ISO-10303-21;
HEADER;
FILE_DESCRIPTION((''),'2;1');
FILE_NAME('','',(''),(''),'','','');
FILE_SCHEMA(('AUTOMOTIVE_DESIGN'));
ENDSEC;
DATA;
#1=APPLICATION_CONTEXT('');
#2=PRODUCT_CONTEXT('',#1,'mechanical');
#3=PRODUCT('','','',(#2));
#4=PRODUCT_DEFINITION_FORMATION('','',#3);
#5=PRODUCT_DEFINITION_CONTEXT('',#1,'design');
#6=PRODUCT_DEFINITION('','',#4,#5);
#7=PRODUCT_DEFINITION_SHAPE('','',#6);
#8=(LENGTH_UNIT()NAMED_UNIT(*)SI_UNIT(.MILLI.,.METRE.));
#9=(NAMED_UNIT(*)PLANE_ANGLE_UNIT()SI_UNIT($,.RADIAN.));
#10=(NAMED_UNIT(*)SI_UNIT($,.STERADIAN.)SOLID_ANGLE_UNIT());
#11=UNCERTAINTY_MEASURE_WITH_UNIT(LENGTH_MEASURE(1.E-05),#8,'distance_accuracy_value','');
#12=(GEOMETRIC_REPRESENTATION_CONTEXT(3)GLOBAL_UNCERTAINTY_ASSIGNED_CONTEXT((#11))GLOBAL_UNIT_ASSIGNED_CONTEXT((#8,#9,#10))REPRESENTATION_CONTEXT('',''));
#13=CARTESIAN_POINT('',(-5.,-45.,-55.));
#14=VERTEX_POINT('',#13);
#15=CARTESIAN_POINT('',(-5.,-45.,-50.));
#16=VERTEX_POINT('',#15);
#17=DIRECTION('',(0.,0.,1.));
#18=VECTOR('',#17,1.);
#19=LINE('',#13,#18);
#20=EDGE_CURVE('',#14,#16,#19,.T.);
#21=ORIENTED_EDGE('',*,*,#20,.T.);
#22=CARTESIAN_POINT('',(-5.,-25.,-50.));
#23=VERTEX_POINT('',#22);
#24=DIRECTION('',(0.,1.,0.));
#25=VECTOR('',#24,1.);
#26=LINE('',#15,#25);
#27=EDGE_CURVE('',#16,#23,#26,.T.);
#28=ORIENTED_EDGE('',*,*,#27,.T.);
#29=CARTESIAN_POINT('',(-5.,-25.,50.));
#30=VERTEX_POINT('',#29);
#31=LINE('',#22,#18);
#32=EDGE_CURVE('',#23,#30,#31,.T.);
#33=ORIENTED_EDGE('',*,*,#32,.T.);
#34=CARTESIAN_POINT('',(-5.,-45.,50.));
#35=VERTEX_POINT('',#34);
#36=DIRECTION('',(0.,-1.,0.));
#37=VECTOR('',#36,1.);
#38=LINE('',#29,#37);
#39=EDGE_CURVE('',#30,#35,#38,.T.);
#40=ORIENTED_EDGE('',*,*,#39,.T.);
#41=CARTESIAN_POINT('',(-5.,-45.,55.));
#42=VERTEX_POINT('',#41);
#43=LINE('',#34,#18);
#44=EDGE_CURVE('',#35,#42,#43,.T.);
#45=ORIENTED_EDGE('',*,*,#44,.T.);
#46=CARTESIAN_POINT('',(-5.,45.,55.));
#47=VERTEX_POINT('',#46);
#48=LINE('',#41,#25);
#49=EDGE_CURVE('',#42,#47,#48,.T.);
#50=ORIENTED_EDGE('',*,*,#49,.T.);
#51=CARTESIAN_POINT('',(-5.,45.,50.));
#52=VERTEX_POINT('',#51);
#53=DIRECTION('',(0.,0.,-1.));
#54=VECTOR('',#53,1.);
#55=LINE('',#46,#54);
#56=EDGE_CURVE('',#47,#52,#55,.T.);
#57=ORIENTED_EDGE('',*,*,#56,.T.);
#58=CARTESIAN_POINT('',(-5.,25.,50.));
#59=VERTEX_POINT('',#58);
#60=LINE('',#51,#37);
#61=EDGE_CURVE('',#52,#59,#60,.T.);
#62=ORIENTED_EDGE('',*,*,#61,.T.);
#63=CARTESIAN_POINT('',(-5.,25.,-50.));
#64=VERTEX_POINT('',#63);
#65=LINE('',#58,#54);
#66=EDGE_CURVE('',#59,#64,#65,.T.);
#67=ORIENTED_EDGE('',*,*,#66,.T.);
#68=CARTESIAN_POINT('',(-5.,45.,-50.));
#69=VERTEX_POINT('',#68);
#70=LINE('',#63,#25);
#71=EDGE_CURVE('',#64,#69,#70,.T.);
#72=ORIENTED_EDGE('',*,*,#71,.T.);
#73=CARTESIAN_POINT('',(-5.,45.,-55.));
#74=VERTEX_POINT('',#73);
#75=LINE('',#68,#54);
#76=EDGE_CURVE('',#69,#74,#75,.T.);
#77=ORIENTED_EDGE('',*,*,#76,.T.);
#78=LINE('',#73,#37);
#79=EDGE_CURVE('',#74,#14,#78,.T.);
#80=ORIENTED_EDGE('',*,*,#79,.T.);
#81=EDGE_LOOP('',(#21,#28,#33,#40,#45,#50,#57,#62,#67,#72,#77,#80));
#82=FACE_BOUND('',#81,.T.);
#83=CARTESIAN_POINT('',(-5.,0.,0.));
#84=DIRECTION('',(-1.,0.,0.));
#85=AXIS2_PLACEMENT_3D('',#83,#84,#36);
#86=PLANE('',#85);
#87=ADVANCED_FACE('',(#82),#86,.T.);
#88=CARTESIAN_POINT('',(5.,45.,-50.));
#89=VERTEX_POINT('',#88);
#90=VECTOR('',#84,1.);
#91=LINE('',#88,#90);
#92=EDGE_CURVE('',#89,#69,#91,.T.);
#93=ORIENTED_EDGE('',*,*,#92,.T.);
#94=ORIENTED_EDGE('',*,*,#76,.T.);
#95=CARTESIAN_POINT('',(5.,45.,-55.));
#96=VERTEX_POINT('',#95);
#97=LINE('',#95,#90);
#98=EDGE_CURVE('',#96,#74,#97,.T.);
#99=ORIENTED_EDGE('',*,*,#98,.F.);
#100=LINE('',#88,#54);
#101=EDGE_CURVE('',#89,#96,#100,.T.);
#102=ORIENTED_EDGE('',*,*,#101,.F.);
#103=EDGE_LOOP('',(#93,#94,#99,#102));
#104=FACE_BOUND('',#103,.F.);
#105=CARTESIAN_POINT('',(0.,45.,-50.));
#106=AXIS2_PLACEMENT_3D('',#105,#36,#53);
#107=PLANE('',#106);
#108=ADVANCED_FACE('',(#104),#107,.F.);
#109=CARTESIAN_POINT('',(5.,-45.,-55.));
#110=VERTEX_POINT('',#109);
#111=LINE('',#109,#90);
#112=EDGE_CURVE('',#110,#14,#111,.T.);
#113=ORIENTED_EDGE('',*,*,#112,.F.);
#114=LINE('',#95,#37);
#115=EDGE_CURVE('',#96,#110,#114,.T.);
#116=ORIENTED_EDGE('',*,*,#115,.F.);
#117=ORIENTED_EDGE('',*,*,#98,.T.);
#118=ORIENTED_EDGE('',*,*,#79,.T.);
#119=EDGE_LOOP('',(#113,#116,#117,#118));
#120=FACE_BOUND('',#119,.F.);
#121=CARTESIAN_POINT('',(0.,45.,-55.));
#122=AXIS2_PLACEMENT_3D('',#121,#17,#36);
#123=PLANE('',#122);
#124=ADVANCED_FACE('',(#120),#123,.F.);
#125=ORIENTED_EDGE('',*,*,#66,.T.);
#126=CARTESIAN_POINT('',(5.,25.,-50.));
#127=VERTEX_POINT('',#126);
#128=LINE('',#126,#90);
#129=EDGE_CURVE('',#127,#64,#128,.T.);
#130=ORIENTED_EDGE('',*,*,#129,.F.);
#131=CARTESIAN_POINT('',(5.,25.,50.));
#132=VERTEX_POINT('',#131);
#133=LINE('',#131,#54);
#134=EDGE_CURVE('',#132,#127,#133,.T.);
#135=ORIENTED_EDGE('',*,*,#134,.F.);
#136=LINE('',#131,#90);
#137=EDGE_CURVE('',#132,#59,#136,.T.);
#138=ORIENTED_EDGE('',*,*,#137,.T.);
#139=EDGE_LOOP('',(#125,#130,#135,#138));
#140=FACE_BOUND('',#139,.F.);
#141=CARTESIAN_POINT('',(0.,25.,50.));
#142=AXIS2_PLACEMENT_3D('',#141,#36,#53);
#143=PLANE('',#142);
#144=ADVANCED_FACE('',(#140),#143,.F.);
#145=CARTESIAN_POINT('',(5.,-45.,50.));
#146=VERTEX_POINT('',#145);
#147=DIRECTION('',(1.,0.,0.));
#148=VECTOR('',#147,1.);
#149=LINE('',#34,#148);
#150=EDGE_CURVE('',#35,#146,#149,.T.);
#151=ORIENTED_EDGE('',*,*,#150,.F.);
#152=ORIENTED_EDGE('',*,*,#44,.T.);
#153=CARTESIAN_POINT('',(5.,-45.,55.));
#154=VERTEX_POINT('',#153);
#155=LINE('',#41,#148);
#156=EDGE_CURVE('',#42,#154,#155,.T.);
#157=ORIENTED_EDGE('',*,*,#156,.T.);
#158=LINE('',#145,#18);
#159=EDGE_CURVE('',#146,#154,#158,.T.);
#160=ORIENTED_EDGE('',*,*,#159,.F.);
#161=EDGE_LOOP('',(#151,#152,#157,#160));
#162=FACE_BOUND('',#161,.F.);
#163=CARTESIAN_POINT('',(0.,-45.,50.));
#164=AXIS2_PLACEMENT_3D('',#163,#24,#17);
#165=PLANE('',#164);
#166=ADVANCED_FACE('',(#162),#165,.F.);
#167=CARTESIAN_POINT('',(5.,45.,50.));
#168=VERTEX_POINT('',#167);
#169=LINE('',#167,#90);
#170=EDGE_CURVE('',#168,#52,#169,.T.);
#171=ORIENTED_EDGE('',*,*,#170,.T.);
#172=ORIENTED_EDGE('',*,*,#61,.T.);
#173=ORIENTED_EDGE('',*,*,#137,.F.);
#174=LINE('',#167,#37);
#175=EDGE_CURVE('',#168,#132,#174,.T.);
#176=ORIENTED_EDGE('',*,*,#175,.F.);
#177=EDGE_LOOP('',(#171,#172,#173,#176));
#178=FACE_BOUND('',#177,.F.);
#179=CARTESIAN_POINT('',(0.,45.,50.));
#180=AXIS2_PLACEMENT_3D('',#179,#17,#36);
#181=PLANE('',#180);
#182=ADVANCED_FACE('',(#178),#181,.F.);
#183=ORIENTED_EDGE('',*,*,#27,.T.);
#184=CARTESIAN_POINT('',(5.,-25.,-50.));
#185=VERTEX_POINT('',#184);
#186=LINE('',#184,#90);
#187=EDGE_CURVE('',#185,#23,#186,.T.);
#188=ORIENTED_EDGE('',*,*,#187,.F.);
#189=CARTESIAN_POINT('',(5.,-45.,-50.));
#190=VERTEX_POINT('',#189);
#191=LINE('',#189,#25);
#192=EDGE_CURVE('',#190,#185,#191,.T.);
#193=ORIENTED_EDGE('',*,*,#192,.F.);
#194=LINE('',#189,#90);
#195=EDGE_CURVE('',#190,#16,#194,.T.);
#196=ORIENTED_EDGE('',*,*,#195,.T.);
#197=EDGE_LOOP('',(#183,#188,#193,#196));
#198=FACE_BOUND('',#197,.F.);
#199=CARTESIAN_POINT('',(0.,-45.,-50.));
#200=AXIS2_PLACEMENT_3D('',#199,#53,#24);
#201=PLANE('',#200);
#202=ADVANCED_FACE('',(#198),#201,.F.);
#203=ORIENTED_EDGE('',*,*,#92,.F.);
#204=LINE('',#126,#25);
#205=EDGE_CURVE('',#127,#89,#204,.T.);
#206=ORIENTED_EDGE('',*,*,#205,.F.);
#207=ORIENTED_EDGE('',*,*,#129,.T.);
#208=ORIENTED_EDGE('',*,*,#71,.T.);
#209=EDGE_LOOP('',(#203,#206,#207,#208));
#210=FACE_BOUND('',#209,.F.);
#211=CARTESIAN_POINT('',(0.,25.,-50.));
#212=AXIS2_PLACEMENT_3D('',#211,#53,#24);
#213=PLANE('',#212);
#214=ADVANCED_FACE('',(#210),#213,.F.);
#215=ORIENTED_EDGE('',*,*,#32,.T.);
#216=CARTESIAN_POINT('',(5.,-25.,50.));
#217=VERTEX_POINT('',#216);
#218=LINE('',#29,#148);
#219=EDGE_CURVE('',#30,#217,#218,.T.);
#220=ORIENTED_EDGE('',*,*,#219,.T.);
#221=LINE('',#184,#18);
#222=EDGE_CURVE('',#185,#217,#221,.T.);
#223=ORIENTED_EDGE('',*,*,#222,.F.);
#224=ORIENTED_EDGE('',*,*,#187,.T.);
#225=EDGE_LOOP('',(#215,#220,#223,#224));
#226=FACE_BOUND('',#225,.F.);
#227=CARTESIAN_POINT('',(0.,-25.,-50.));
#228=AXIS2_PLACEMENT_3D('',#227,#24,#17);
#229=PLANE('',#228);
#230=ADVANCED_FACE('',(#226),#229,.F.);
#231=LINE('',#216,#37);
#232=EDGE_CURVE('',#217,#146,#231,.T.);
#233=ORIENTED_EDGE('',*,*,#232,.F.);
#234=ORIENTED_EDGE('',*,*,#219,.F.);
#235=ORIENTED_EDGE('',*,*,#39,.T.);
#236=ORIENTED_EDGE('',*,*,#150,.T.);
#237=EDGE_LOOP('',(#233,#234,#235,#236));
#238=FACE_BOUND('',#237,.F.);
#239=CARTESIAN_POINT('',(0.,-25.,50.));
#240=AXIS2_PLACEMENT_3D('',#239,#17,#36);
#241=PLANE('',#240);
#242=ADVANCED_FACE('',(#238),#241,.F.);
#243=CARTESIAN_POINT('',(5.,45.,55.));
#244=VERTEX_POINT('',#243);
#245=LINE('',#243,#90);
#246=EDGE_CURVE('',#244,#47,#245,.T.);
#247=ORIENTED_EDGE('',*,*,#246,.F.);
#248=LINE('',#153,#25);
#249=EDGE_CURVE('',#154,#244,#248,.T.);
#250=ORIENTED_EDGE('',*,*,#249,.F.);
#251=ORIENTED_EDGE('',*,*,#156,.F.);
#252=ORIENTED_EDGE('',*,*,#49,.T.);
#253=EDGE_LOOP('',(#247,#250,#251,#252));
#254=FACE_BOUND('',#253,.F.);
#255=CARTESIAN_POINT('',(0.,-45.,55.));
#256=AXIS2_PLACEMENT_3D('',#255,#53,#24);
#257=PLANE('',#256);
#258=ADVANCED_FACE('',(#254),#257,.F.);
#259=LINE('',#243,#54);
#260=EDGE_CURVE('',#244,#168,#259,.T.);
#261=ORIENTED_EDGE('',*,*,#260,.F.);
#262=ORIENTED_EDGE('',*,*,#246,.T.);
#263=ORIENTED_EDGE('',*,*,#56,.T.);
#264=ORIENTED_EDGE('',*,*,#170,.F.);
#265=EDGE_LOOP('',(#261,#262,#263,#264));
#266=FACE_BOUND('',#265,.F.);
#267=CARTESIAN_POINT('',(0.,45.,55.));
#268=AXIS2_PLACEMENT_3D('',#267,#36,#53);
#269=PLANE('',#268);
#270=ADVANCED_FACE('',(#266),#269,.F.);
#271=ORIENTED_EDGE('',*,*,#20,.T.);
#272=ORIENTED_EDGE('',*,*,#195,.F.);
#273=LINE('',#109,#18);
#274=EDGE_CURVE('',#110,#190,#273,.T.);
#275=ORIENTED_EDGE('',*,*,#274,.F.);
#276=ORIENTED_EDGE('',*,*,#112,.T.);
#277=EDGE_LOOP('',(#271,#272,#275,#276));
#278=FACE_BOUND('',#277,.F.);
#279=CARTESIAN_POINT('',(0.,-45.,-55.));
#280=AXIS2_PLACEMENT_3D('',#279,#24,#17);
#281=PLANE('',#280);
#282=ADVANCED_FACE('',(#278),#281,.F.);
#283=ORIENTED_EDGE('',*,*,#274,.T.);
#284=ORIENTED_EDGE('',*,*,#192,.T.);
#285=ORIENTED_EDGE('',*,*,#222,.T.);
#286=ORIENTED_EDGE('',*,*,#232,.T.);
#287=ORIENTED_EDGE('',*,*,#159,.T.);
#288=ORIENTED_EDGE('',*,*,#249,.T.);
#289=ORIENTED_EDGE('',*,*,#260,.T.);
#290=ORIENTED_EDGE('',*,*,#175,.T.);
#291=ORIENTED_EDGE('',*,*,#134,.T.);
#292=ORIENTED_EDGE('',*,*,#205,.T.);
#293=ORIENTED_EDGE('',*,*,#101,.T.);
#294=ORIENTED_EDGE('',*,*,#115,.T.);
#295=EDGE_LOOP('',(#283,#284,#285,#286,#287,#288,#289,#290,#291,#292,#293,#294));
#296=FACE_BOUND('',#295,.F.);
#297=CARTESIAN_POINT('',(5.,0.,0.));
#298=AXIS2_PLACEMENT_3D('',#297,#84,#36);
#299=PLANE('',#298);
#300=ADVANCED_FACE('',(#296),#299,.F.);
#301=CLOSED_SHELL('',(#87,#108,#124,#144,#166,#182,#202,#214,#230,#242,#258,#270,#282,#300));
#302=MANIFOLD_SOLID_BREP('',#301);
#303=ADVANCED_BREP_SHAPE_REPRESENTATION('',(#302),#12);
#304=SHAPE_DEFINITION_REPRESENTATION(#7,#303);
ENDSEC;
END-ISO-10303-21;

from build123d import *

# Parameters (mm, degrees)
PAD_DEPTH = 5


with BuildPart() as part:
    # Sketch → Pad (new body, symmetric)
    with BuildSketch(Plane.YZ):
        Polygon((-45, 55), (45, 55), (45, 50), (25, 50), (25, -50), (45, -50), (45, -55), (-45, -55), (-45, -50), (-25, -50), (-25, 50), (-45, 50), align=None)
    extrude(amount=PAD_DEPTH, both=True)


solid = part.part
